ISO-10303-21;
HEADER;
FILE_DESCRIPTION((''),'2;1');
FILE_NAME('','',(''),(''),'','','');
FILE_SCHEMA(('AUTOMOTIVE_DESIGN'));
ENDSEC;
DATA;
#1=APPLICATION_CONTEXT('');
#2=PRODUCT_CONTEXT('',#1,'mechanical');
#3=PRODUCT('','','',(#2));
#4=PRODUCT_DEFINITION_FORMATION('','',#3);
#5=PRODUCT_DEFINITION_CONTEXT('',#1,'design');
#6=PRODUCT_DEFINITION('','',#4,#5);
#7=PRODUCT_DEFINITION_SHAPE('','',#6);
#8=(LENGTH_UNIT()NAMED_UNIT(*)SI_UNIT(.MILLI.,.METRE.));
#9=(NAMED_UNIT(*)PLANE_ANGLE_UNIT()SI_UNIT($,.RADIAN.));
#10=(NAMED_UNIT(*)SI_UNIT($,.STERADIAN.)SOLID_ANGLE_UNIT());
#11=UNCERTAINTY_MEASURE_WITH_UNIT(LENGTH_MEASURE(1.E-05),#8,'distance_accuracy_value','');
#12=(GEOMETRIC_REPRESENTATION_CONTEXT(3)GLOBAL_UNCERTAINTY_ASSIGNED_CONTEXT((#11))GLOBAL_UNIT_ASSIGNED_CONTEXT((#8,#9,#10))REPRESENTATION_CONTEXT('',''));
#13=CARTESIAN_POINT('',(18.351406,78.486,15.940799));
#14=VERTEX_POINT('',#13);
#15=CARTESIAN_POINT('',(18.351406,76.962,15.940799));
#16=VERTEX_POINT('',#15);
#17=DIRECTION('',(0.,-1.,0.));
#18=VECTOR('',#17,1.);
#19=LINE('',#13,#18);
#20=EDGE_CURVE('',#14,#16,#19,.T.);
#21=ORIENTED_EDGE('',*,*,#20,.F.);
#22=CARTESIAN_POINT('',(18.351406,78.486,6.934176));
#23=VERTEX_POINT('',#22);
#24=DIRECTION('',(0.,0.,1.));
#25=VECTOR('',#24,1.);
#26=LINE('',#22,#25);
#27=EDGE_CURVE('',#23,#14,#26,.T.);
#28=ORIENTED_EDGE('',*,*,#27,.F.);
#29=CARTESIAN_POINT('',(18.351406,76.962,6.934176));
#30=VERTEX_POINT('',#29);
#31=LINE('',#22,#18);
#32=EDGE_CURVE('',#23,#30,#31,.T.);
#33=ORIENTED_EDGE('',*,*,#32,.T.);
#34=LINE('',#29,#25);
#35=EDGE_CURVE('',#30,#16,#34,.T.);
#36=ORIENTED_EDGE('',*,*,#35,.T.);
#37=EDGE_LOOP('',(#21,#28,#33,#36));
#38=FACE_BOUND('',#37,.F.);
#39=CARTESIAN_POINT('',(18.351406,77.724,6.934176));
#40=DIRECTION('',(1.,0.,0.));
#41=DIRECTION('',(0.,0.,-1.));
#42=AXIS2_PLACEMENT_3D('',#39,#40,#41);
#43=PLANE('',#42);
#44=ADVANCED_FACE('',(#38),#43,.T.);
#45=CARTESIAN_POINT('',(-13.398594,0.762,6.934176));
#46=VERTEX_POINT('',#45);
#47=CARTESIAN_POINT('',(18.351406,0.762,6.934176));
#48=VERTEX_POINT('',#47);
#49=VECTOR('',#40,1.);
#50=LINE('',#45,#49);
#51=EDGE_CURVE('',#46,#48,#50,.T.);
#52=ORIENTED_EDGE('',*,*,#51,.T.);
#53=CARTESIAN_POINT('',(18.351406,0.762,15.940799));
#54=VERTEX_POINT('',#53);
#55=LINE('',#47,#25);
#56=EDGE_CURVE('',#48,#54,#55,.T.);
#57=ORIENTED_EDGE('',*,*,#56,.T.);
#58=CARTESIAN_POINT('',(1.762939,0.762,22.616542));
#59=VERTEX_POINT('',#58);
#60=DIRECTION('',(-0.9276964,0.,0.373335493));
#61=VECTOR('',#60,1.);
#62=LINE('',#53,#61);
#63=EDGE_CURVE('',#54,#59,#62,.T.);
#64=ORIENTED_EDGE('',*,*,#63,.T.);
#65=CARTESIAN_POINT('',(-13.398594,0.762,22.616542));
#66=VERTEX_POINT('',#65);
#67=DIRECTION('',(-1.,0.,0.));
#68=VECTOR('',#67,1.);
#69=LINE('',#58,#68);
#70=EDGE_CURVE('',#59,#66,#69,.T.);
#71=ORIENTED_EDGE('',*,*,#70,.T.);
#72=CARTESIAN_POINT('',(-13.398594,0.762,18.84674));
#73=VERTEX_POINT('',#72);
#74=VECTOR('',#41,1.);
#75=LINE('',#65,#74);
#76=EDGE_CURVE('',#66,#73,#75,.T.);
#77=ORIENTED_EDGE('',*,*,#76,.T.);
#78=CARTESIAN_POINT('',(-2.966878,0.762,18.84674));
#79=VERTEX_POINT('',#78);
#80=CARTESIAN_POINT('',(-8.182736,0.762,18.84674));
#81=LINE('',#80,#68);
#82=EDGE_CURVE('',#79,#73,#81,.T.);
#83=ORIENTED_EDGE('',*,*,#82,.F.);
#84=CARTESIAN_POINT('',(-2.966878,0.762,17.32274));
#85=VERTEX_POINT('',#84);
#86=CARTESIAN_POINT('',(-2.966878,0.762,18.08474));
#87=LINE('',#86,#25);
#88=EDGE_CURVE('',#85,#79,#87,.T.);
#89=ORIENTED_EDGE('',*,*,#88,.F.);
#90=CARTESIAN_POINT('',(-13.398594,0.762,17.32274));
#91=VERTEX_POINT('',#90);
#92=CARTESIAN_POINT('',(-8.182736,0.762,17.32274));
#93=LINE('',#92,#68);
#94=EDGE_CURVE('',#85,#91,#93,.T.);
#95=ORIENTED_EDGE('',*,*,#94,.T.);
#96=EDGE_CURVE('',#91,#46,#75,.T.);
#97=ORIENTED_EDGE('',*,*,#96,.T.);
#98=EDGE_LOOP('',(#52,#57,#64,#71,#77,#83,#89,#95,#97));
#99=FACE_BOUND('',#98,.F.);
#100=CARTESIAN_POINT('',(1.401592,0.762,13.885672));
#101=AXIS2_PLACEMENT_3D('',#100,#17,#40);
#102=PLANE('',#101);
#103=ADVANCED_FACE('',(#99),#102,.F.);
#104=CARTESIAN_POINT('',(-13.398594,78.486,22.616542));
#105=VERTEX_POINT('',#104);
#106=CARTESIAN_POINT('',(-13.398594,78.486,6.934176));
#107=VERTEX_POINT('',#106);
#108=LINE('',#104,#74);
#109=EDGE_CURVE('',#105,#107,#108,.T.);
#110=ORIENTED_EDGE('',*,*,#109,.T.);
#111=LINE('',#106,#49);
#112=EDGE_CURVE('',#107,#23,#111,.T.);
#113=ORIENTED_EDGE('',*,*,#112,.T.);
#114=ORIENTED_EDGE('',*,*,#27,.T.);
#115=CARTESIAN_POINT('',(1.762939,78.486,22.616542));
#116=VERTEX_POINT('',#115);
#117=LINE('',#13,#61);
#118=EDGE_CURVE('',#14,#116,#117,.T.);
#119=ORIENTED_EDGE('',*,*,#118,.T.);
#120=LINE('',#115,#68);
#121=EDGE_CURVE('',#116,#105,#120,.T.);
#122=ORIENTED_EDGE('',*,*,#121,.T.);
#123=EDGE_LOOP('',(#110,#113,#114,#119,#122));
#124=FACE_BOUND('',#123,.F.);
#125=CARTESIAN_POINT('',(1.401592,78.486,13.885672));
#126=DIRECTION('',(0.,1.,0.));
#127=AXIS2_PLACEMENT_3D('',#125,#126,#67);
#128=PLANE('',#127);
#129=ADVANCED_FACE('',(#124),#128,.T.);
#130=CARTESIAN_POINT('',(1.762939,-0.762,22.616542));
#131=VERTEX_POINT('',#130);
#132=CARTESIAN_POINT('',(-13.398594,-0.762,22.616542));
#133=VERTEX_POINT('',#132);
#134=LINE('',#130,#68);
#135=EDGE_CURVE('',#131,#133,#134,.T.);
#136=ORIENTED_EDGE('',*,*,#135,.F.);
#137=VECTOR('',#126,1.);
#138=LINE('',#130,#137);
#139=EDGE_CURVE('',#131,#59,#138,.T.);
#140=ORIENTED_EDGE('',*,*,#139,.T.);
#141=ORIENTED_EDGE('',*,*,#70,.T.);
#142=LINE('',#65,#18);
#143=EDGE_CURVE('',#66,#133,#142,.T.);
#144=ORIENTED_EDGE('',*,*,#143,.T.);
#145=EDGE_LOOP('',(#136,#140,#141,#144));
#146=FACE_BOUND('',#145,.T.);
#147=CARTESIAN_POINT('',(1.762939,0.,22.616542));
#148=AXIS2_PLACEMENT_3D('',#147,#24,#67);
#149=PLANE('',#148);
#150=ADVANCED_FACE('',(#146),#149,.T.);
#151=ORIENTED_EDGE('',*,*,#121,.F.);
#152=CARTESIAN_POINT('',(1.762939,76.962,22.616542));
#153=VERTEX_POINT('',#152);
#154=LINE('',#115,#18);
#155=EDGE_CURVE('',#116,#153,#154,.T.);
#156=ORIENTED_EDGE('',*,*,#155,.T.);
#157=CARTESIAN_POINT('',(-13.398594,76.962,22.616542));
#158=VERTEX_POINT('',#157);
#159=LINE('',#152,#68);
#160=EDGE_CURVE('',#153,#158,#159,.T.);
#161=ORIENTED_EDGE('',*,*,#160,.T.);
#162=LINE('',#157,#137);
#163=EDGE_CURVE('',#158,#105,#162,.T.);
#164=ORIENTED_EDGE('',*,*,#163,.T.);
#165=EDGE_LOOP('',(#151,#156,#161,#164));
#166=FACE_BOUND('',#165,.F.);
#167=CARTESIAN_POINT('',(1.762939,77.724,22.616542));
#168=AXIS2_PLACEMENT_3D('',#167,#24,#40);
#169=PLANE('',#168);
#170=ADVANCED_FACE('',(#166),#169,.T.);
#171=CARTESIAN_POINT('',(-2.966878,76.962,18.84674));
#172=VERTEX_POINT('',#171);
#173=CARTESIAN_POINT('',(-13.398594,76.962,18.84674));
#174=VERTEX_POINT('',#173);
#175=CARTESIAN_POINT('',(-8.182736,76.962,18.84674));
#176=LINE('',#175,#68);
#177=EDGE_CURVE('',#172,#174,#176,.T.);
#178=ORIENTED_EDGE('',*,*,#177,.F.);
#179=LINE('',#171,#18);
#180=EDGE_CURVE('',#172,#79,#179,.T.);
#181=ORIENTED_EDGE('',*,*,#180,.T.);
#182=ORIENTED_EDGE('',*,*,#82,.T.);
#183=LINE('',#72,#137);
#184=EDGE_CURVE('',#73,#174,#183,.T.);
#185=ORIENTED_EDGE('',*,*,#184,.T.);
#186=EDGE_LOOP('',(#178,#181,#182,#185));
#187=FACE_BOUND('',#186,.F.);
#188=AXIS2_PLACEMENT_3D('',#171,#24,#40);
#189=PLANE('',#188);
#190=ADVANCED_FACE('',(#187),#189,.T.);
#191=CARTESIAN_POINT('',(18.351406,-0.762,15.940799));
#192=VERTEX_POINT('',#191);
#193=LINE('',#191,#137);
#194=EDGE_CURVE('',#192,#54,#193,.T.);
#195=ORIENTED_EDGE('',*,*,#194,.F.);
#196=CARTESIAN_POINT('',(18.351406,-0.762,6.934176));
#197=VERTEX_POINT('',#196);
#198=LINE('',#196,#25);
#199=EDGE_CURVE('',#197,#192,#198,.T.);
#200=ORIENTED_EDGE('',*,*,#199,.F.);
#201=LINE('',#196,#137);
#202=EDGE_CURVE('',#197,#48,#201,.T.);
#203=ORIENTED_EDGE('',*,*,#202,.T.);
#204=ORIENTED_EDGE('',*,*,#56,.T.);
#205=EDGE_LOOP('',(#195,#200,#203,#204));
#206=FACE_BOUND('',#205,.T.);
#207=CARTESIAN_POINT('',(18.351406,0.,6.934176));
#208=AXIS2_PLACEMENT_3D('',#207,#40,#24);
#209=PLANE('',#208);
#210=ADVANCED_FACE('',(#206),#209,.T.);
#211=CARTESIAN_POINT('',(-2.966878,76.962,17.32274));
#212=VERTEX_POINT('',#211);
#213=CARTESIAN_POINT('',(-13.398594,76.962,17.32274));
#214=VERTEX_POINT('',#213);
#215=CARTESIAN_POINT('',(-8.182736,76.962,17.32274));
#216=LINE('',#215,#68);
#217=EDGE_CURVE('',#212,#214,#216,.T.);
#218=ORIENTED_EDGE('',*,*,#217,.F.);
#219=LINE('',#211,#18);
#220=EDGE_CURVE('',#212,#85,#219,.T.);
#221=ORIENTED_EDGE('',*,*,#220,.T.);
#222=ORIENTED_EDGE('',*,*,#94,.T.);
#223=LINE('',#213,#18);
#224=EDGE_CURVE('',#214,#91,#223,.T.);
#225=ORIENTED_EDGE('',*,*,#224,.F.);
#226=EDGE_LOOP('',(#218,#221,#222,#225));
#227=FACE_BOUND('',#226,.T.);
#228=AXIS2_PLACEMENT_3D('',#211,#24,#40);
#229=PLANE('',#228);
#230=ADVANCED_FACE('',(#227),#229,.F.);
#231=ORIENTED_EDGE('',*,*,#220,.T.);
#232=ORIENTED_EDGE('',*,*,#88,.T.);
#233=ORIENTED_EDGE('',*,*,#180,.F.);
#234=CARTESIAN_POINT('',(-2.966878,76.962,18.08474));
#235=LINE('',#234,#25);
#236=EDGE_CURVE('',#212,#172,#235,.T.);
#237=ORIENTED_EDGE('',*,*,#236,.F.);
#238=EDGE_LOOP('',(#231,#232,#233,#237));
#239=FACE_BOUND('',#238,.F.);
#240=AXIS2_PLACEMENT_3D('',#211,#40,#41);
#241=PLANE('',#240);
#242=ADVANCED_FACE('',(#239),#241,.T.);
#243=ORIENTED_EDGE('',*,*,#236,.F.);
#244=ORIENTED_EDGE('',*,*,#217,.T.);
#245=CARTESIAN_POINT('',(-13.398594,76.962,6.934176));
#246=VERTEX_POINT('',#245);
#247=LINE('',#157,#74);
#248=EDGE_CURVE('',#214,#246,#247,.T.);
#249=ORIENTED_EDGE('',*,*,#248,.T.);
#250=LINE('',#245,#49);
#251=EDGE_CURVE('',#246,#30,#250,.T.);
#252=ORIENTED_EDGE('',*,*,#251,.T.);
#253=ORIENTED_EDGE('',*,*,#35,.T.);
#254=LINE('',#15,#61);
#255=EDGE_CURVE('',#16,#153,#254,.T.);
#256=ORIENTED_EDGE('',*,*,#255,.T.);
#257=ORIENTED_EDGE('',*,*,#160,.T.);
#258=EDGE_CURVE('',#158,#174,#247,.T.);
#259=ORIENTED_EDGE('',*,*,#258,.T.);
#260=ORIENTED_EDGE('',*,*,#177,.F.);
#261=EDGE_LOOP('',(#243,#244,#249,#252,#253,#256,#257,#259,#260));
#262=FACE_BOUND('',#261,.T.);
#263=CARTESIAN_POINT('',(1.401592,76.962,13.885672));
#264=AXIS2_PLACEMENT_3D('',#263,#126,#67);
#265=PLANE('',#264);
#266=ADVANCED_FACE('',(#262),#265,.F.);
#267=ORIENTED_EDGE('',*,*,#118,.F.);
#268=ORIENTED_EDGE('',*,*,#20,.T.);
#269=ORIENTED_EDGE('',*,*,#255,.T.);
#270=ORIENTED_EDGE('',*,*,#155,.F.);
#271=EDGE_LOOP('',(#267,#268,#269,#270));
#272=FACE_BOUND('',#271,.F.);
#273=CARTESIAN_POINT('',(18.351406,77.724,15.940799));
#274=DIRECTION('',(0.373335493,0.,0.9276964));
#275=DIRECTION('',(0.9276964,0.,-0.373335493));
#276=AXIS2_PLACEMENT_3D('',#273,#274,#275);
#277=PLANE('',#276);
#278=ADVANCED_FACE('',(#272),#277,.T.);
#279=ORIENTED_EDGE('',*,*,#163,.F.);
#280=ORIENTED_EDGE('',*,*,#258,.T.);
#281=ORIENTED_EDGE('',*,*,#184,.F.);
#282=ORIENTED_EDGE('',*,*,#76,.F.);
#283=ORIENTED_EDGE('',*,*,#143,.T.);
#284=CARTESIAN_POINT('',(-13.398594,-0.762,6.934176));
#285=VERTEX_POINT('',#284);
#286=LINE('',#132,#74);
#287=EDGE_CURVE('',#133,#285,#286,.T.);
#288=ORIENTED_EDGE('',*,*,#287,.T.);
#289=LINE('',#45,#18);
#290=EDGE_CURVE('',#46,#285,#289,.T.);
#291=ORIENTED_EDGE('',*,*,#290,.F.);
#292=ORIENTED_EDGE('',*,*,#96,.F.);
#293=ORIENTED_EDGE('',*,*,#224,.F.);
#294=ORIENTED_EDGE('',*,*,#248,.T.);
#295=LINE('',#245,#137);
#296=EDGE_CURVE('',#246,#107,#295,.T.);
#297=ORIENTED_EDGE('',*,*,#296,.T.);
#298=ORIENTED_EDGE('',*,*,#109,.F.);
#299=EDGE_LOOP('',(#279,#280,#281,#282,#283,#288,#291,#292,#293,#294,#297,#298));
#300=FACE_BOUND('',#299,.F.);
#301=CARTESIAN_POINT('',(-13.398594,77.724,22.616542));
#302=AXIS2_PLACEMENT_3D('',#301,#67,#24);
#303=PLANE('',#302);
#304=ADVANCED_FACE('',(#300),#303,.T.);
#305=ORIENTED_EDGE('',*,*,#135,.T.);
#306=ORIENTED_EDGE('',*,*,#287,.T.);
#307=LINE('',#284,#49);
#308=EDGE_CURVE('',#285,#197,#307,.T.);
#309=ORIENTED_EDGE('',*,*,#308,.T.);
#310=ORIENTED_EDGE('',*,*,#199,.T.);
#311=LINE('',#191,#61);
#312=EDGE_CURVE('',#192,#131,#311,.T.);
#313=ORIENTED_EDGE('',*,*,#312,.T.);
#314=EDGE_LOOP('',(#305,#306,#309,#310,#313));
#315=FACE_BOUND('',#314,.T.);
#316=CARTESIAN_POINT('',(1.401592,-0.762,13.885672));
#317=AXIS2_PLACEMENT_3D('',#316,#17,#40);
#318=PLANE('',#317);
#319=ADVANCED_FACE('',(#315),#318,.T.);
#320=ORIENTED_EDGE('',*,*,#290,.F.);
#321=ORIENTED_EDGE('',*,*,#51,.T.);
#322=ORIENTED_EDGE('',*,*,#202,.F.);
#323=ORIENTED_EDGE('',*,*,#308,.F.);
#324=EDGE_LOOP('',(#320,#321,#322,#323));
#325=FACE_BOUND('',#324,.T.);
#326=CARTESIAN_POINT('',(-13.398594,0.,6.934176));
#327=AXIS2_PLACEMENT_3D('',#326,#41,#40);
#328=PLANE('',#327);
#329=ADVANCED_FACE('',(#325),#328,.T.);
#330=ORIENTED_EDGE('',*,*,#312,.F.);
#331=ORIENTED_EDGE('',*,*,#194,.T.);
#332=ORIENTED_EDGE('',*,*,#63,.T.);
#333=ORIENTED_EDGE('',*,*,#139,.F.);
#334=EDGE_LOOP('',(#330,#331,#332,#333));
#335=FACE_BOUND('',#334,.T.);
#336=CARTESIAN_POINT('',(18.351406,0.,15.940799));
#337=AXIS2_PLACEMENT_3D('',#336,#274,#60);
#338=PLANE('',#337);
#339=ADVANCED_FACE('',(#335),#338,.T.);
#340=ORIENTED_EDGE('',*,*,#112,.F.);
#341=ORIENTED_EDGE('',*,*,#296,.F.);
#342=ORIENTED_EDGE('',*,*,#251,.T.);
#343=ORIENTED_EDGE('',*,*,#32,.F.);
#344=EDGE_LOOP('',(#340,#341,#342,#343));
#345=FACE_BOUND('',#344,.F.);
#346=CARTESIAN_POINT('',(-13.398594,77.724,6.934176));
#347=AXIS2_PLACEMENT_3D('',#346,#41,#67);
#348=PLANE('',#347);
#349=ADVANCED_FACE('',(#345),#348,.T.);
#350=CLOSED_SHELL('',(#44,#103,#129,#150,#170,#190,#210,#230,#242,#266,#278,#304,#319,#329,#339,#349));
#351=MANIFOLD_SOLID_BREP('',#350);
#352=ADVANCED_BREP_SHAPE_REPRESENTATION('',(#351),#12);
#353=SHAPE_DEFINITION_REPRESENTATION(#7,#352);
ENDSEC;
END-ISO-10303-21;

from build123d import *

# Parameters (mm, degrees)
F1_DEPTH = 0.762
F2_W     = 10.4317168638
F2_H     = 1.524
F3_DEPTH = 38.1


with BuildPart() as f1:
    # F0 (on Front) → F1 (new body, symmetric)
    with BuildSketch(Plane.XZ):
        Polygon((1.7629392188, 22.6165422688), (-13.3985944025, 22.6165422688), (-13.3985944025, 6.9341756906), (18.3514055975, 6.9341756906), (18.3514055975, 15.9407987012), align=None)
    extrude(amount=F1_DEPTH, both=True)

    # F2 (on face) → F3 (join)
    with BuildSketch(Plane(origin=(0, 0.762, 0), x_dir=(-1, 0, 0), z_dir=(0, 1, 0))):
        with Locations((8.1827359706, 18.0847395862)):
            Rectangle(F2_W, F2_H)
    extrude(amount=F3_DEPTH)

    # F5: F1 across plane


with BuildPart() as f1_1:
    add(f1.part)
    add(f1.part.mirror(Plane(origin=(-8.1827359706, 38.862, 18.0847395862), x_dir=(-1, 0, 0), z_dir=(0, 1, 0))))


solid = f1_1.part
